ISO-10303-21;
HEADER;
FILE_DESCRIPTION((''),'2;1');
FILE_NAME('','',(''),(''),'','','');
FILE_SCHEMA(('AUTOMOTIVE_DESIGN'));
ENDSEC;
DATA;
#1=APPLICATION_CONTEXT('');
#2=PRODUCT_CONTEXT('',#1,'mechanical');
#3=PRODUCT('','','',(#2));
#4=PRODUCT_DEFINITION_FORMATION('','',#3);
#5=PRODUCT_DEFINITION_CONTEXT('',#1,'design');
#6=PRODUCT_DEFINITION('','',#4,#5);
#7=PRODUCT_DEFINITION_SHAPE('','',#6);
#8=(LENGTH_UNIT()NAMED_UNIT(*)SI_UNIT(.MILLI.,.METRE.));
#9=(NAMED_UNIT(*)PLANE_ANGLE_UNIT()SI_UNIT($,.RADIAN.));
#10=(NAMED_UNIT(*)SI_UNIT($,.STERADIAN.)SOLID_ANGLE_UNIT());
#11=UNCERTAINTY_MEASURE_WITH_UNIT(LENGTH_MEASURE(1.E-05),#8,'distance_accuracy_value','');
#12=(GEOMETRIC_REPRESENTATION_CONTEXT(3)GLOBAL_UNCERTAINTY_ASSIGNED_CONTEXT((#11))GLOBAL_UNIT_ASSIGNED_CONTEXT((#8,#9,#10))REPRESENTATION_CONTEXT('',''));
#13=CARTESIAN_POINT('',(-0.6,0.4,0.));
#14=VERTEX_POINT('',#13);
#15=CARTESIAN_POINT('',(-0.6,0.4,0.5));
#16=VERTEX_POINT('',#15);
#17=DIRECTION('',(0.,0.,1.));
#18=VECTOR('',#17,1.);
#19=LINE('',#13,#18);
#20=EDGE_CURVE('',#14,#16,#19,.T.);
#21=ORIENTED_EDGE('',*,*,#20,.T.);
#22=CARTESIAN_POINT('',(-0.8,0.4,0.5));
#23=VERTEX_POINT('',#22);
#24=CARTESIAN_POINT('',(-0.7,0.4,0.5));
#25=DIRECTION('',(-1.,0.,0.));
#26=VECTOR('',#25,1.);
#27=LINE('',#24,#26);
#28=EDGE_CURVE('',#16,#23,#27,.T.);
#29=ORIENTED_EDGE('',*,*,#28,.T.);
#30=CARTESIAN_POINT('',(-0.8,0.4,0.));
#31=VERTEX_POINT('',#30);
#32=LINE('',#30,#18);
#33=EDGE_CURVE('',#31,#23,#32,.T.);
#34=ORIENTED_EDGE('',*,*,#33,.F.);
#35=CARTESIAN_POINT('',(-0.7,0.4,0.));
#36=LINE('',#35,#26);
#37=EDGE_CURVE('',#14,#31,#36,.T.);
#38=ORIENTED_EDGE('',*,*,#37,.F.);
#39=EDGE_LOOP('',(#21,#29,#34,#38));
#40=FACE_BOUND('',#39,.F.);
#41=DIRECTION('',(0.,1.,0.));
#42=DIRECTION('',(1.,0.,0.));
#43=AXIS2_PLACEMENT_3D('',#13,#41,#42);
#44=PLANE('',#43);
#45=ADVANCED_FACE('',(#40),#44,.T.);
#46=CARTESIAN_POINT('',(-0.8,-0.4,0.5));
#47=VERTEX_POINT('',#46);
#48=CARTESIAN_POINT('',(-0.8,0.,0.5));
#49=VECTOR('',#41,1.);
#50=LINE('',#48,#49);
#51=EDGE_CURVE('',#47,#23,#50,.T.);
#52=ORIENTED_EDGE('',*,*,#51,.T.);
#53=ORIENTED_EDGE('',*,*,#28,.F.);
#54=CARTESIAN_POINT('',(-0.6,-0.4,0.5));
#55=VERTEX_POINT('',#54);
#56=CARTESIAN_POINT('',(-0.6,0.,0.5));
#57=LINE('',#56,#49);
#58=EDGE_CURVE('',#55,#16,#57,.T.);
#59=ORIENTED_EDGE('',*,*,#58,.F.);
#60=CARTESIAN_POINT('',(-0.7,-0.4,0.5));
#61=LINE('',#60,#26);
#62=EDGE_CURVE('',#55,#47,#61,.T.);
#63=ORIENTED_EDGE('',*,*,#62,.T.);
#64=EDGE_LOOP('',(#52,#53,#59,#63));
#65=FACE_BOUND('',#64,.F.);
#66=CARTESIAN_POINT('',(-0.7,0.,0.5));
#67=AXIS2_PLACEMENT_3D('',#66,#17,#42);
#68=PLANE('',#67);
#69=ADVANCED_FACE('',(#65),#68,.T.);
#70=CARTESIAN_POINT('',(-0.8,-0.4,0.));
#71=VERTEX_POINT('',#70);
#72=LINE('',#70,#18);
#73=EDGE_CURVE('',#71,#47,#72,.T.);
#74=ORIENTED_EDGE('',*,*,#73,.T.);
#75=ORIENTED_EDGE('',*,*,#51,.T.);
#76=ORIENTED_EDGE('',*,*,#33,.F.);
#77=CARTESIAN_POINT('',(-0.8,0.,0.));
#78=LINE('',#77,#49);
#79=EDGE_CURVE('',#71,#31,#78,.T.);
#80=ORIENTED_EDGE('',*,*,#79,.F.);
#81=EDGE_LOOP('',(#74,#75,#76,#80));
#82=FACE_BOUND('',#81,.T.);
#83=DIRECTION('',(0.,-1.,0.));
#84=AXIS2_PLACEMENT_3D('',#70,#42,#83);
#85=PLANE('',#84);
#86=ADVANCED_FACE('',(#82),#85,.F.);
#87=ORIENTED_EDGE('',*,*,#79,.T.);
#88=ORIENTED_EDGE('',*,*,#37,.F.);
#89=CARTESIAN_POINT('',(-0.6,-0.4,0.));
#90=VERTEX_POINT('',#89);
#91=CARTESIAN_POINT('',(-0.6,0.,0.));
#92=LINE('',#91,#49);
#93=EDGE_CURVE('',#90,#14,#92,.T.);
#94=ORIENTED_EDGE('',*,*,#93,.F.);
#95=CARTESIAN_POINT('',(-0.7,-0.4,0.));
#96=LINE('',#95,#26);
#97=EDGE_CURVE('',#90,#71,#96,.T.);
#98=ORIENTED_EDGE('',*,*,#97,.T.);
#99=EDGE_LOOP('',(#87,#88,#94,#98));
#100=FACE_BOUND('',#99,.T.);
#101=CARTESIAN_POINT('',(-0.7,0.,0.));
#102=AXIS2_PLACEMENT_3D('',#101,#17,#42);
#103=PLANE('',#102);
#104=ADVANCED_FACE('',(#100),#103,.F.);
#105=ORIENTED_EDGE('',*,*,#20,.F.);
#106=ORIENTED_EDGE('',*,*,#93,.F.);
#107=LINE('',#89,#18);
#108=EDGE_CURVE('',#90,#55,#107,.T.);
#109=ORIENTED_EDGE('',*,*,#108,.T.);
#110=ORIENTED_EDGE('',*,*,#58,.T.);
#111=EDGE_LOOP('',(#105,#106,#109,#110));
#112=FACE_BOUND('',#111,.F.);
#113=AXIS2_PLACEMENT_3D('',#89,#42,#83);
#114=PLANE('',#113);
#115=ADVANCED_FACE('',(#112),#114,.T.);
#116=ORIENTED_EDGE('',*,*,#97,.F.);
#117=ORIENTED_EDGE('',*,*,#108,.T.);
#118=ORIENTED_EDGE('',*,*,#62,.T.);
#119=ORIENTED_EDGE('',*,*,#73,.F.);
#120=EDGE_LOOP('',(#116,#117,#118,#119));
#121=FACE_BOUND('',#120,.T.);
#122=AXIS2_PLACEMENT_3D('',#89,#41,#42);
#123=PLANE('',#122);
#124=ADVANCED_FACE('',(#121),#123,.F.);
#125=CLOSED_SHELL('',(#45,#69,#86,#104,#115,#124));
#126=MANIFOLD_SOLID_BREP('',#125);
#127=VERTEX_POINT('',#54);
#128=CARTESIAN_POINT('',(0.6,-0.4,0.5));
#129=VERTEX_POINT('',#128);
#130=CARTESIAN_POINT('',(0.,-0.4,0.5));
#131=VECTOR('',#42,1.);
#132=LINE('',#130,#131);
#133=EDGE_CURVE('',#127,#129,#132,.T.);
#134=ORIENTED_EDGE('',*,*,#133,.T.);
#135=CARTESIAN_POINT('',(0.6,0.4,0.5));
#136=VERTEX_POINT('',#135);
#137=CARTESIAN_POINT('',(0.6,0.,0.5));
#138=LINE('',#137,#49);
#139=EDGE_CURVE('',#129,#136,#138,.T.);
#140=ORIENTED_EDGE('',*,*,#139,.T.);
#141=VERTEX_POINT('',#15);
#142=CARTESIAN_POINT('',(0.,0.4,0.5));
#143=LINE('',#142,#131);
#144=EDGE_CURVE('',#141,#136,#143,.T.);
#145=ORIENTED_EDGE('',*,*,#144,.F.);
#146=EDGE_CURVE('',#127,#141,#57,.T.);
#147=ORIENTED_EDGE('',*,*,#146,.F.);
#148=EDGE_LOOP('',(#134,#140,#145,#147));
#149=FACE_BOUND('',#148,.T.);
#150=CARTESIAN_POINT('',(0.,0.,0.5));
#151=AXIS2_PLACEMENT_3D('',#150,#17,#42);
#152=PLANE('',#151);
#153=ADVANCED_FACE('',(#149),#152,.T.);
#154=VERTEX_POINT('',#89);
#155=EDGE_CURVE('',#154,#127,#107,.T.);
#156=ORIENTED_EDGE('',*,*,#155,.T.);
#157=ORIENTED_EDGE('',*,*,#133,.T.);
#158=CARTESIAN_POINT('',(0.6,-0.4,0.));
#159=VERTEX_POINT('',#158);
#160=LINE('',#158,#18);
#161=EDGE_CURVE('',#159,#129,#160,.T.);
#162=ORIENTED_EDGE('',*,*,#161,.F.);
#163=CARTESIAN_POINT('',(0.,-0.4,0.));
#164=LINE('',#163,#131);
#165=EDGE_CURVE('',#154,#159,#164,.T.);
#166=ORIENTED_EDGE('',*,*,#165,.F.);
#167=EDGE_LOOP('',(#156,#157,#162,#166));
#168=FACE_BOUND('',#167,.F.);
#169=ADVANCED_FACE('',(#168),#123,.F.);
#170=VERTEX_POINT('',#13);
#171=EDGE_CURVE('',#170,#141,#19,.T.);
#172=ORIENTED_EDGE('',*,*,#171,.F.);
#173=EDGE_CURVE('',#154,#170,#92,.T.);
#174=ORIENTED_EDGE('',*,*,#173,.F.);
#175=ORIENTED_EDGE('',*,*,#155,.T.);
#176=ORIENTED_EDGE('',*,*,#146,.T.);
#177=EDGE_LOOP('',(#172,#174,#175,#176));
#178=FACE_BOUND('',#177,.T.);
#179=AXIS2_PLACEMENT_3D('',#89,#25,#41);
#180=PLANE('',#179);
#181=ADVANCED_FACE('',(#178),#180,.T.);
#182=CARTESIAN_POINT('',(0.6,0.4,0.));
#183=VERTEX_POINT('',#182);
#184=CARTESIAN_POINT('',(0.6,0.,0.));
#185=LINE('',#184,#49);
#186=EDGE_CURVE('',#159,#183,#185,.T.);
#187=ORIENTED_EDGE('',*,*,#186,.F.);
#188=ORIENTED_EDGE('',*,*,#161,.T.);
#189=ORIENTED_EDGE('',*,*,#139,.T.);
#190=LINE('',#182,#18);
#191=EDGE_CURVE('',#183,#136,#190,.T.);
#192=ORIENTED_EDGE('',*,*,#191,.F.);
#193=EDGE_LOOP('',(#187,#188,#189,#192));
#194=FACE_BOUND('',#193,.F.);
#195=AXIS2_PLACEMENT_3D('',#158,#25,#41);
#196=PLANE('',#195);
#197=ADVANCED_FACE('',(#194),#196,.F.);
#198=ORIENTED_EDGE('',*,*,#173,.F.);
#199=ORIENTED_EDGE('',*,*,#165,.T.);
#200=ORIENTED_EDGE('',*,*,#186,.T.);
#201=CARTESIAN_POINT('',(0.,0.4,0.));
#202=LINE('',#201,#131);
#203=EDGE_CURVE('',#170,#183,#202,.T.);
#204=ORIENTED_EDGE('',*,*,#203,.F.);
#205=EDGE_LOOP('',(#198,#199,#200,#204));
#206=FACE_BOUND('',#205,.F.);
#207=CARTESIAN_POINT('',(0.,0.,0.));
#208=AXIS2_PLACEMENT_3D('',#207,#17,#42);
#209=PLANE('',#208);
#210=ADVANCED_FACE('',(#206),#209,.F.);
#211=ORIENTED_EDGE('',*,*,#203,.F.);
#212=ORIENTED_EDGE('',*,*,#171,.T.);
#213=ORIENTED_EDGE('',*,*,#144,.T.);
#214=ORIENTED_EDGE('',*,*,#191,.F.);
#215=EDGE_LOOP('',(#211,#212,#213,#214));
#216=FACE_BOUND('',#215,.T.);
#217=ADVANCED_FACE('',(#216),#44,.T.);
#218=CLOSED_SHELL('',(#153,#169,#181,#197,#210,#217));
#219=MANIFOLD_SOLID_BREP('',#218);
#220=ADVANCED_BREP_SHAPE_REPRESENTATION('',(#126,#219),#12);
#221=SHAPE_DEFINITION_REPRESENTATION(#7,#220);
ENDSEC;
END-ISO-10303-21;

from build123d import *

# Parameters (mm, degrees)
SKETCH_W     = 1.2
SKETCH_H     = 0.8
PAD_DEPTH    = 0.5
SKETCH001_W  = 0.2
SKETCH001_H  = 0.8
PAD001_DEPTH = 0.5


with BuildPart() as body:
    # Sketch → Pad (new body)
    with BuildSketch(Plane.XY):
        Rectangle(SKETCH_W, SKETCH_H)
    extrude(amount=PAD_DEPTH)


with BuildPart() as body001:
    # Sketch001 → Pad001 (new body)
    with BuildSketch(Plane.XY):
        with Locations((0.7, 0)):
            Rectangle(SKETCH001_W, SKETCH001_H)
    extrude(amount=PAD001_DEPTH)


with BuildPart() as part_mirroring:
    # Part__Mirroring: instance of Body001
    add(body001.part.mirror(Plane(origin=(0, 0, 0), x_dir=(0, -1, 0), z_dir=(1, 0, 0))))


solid = Compound([body.part, part_mirroring.part])
